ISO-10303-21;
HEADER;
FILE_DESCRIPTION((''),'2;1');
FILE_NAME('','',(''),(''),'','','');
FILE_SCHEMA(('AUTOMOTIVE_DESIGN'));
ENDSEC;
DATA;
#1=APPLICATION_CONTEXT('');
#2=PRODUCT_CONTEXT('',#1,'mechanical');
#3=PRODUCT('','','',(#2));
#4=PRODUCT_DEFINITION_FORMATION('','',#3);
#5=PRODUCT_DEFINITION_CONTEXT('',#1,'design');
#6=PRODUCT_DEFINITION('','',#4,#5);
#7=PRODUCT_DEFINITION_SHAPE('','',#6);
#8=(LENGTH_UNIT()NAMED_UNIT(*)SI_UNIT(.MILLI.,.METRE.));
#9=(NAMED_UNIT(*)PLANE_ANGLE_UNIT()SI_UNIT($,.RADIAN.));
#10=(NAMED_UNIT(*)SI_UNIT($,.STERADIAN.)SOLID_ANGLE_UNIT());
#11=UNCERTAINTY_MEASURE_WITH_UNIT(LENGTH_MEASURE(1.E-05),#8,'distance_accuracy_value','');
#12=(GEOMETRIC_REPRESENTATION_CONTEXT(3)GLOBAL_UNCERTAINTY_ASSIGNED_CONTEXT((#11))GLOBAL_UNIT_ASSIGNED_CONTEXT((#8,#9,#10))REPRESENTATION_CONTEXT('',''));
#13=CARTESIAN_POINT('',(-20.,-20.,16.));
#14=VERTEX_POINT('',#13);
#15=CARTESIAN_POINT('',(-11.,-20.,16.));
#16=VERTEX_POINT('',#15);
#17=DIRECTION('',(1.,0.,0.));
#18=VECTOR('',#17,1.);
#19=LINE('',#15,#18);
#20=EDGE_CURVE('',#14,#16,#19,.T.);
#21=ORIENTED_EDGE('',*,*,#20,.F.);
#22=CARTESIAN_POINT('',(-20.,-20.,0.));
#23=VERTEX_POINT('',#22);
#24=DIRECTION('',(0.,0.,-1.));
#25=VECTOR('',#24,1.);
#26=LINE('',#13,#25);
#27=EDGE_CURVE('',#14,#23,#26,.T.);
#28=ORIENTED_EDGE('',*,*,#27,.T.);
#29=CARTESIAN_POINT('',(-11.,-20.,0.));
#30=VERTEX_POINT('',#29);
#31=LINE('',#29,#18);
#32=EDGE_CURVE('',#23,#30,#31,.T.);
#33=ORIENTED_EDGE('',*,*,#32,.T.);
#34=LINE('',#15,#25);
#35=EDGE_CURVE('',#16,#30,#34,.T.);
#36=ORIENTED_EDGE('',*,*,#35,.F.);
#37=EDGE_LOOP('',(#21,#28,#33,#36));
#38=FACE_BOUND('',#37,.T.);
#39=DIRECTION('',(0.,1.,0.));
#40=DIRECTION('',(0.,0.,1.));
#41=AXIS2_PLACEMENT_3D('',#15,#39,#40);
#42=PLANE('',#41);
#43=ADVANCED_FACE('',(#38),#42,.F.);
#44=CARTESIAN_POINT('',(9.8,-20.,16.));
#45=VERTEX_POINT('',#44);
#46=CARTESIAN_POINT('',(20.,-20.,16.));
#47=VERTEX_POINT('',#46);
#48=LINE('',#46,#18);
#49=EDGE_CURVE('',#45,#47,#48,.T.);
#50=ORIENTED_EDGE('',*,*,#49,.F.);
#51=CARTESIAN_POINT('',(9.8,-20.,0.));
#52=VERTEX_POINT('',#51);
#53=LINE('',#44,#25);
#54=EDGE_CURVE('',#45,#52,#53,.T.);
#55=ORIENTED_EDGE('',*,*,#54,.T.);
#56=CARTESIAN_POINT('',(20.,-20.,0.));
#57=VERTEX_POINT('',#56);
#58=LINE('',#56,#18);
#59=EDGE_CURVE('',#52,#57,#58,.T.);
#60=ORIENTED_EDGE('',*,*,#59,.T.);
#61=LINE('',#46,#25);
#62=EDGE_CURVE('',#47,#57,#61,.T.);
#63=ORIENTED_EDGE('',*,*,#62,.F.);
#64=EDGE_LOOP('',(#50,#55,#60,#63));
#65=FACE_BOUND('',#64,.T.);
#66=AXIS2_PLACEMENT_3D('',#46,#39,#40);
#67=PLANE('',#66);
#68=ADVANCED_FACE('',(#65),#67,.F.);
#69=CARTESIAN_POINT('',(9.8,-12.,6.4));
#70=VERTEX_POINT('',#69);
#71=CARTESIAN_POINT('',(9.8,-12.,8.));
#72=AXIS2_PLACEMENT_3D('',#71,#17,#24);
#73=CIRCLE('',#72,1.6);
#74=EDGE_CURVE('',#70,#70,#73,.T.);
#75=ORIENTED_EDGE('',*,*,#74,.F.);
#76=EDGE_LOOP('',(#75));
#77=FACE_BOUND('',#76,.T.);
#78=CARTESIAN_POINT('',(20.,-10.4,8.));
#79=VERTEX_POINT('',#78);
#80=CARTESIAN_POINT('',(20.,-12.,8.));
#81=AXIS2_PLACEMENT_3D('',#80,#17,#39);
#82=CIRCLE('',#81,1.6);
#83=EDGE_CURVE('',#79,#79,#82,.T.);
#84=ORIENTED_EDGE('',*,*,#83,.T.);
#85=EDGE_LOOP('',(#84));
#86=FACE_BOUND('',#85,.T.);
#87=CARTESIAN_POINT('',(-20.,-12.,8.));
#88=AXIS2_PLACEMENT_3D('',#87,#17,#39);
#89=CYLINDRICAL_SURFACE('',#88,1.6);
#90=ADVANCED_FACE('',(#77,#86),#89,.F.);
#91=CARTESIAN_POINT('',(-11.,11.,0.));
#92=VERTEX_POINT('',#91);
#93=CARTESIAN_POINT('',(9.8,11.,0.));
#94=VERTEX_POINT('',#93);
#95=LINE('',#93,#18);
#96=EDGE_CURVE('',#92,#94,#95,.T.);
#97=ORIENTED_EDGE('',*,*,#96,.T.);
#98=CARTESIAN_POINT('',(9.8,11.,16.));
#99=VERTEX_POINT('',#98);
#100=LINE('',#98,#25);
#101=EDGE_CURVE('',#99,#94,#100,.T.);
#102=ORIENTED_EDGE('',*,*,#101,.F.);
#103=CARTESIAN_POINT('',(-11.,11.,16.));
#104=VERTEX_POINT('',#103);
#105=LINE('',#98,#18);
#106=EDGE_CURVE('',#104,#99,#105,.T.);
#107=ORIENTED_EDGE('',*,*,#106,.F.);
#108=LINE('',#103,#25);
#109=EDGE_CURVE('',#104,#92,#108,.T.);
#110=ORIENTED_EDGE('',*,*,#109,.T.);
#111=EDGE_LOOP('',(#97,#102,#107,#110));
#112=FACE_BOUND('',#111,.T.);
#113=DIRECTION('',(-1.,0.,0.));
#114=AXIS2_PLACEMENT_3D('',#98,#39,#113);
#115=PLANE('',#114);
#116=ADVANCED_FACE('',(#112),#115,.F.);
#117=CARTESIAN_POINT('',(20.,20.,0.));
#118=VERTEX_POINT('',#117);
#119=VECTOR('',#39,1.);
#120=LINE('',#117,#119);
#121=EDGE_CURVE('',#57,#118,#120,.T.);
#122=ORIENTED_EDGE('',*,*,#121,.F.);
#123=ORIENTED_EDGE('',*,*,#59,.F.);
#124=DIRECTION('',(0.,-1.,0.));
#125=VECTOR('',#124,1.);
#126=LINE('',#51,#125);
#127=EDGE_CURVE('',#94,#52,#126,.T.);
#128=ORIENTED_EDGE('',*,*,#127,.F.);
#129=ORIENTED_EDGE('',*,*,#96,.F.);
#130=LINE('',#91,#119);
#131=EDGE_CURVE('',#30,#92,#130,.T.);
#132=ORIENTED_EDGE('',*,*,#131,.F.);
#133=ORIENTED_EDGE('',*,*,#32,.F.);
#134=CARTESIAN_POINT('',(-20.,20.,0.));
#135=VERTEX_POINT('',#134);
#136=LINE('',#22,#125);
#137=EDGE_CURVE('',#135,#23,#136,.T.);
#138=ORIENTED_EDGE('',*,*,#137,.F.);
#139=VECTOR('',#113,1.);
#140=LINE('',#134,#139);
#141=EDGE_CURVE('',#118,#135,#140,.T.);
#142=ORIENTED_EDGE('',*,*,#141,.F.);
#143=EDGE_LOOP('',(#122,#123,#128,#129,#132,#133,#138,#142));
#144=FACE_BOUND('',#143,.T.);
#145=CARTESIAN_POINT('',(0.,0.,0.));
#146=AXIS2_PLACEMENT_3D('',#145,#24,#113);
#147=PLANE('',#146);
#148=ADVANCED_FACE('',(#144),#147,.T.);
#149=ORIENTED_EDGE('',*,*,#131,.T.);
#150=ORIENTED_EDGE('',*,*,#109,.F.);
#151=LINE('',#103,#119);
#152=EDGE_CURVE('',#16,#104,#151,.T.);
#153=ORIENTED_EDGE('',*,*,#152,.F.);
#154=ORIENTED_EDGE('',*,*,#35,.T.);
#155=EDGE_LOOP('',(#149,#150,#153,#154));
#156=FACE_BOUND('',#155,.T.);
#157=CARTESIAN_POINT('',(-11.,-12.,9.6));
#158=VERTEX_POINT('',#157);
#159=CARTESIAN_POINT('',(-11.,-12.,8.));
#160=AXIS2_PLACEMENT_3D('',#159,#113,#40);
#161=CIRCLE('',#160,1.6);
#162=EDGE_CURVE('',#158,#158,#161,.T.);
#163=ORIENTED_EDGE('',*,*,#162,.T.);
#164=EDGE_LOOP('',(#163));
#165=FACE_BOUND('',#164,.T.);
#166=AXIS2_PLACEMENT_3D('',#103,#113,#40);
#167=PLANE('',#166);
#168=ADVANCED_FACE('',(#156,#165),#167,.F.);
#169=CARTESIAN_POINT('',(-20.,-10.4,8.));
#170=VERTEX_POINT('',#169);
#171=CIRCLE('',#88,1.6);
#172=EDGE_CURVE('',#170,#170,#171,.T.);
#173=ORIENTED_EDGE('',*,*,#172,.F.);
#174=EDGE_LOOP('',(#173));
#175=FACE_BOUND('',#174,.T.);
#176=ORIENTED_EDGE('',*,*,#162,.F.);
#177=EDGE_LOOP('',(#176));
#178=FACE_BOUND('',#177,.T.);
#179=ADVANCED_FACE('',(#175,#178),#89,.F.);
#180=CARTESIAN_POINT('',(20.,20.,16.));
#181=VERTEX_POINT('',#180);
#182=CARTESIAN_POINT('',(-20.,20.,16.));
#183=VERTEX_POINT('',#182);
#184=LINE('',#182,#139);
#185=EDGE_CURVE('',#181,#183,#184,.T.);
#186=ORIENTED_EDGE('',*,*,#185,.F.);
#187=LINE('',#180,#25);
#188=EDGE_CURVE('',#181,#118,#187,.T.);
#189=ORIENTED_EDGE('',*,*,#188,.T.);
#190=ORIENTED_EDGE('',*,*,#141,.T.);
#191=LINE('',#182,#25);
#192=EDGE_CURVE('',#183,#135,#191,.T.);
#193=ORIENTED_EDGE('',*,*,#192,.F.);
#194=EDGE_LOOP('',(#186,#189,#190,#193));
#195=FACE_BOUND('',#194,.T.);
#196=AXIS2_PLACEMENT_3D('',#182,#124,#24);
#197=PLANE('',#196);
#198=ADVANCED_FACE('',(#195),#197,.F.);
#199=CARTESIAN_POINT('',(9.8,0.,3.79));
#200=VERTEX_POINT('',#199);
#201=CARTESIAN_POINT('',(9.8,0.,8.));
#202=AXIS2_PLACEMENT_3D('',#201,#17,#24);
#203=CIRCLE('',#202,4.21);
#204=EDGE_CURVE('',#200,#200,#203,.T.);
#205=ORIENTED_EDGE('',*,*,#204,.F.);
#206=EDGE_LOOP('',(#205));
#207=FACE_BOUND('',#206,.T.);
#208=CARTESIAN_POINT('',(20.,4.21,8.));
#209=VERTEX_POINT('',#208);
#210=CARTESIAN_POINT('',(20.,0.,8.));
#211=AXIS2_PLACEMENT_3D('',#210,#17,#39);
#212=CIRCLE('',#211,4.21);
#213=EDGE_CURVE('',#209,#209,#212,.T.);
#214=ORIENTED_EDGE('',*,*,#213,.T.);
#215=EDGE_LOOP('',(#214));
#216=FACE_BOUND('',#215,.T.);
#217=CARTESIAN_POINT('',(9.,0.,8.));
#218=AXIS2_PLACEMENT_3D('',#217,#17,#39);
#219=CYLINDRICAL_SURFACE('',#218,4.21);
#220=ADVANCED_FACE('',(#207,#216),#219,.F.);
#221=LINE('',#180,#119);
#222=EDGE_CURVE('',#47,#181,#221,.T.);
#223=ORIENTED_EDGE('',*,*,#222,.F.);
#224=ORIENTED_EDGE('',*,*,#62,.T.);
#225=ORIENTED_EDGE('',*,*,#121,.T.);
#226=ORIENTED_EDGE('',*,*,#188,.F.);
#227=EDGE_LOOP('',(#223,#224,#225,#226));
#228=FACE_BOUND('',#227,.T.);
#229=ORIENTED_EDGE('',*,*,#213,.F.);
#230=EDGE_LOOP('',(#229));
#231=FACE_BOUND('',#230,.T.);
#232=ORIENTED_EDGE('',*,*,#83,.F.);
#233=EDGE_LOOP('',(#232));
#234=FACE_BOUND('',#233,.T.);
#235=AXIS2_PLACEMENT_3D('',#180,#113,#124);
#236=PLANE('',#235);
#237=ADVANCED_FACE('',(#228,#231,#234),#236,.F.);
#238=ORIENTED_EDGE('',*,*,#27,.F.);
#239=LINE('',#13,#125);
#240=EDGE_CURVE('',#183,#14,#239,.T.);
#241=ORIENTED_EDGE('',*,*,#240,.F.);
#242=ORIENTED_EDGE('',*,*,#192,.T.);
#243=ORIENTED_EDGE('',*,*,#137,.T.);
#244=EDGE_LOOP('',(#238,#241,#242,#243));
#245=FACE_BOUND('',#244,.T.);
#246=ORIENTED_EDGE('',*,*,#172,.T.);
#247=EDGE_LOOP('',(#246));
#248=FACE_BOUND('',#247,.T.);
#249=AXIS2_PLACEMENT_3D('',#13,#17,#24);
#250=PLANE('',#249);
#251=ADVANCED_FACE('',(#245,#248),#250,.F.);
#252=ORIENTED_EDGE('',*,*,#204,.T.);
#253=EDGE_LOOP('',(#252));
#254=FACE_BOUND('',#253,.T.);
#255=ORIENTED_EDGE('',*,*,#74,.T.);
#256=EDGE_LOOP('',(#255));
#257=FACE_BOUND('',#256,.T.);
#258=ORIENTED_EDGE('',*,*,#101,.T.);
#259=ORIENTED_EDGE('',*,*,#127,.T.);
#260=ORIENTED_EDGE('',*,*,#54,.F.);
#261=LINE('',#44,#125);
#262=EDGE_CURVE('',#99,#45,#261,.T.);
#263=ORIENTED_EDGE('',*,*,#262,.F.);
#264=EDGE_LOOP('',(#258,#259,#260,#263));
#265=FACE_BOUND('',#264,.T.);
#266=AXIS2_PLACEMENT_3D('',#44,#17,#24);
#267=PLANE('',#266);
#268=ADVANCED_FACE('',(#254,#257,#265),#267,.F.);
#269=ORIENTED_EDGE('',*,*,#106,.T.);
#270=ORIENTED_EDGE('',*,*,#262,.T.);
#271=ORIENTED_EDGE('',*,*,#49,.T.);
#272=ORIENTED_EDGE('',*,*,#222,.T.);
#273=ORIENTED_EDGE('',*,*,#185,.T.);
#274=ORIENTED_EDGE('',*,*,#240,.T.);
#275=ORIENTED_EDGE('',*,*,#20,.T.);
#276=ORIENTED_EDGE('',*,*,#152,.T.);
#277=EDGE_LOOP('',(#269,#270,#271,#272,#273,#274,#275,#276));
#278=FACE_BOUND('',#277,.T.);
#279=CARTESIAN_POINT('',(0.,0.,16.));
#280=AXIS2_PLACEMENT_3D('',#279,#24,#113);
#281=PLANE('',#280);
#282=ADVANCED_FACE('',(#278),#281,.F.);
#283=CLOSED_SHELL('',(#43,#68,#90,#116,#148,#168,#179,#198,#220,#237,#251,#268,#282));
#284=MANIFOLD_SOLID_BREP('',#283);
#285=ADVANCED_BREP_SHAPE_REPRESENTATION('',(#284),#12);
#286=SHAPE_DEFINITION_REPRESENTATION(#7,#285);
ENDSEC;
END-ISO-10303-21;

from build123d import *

# Parameters (mm, degrees)
EXTRUDE_2_DEPTH     = 16
SKETCH_3_R          = 4.21
CUT_EXTRUDE_1_DEPTH = 11
SKETCH_5_R          = 1.6
CUT_EXTRUDE_2_DEPTH = 40


with BuildPart() as part:
    # 草图2 → 凸台-拉伸2 (new body)
    with BuildSketch(Plane.XY):
        Polygon((-20, -20), (-20, 20), (20, 20), (20, -20), (9.8, -20), (9.8, 11), (-11, 11), (-11, -20), align=None)
    extrude(amount=EXTRUDE_2_DEPTH)

    # 草图3 → 切除-拉伸1 (cut)
    with BuildSketch(Plane(origin=(20, 0, 0), x_dir=(0, 0, -1), z_dir=(1, 0, 0))):
        with Locations((-8, 0)):
            Circle(SKETCH_3_R)
    extrude(amount=-CUT_EXTRUDE_1_DEPTH, mode=Mode.SUBTRACT)

    # 草图5 → 切除-拉伸2 (cut)
    with BuildSketch(Plane(origin=(20, 0, 0), x_dir=(0, 0, -1), z_dir=(1, 0, 0))):
        with Locations((-8, -12)):
            Circle(SKETCH_5_R)
    extrude(amount=-CUT_EXTRUDE_2_DEPTH, mode=Mode.SUBTRACT)


solid = part.part
